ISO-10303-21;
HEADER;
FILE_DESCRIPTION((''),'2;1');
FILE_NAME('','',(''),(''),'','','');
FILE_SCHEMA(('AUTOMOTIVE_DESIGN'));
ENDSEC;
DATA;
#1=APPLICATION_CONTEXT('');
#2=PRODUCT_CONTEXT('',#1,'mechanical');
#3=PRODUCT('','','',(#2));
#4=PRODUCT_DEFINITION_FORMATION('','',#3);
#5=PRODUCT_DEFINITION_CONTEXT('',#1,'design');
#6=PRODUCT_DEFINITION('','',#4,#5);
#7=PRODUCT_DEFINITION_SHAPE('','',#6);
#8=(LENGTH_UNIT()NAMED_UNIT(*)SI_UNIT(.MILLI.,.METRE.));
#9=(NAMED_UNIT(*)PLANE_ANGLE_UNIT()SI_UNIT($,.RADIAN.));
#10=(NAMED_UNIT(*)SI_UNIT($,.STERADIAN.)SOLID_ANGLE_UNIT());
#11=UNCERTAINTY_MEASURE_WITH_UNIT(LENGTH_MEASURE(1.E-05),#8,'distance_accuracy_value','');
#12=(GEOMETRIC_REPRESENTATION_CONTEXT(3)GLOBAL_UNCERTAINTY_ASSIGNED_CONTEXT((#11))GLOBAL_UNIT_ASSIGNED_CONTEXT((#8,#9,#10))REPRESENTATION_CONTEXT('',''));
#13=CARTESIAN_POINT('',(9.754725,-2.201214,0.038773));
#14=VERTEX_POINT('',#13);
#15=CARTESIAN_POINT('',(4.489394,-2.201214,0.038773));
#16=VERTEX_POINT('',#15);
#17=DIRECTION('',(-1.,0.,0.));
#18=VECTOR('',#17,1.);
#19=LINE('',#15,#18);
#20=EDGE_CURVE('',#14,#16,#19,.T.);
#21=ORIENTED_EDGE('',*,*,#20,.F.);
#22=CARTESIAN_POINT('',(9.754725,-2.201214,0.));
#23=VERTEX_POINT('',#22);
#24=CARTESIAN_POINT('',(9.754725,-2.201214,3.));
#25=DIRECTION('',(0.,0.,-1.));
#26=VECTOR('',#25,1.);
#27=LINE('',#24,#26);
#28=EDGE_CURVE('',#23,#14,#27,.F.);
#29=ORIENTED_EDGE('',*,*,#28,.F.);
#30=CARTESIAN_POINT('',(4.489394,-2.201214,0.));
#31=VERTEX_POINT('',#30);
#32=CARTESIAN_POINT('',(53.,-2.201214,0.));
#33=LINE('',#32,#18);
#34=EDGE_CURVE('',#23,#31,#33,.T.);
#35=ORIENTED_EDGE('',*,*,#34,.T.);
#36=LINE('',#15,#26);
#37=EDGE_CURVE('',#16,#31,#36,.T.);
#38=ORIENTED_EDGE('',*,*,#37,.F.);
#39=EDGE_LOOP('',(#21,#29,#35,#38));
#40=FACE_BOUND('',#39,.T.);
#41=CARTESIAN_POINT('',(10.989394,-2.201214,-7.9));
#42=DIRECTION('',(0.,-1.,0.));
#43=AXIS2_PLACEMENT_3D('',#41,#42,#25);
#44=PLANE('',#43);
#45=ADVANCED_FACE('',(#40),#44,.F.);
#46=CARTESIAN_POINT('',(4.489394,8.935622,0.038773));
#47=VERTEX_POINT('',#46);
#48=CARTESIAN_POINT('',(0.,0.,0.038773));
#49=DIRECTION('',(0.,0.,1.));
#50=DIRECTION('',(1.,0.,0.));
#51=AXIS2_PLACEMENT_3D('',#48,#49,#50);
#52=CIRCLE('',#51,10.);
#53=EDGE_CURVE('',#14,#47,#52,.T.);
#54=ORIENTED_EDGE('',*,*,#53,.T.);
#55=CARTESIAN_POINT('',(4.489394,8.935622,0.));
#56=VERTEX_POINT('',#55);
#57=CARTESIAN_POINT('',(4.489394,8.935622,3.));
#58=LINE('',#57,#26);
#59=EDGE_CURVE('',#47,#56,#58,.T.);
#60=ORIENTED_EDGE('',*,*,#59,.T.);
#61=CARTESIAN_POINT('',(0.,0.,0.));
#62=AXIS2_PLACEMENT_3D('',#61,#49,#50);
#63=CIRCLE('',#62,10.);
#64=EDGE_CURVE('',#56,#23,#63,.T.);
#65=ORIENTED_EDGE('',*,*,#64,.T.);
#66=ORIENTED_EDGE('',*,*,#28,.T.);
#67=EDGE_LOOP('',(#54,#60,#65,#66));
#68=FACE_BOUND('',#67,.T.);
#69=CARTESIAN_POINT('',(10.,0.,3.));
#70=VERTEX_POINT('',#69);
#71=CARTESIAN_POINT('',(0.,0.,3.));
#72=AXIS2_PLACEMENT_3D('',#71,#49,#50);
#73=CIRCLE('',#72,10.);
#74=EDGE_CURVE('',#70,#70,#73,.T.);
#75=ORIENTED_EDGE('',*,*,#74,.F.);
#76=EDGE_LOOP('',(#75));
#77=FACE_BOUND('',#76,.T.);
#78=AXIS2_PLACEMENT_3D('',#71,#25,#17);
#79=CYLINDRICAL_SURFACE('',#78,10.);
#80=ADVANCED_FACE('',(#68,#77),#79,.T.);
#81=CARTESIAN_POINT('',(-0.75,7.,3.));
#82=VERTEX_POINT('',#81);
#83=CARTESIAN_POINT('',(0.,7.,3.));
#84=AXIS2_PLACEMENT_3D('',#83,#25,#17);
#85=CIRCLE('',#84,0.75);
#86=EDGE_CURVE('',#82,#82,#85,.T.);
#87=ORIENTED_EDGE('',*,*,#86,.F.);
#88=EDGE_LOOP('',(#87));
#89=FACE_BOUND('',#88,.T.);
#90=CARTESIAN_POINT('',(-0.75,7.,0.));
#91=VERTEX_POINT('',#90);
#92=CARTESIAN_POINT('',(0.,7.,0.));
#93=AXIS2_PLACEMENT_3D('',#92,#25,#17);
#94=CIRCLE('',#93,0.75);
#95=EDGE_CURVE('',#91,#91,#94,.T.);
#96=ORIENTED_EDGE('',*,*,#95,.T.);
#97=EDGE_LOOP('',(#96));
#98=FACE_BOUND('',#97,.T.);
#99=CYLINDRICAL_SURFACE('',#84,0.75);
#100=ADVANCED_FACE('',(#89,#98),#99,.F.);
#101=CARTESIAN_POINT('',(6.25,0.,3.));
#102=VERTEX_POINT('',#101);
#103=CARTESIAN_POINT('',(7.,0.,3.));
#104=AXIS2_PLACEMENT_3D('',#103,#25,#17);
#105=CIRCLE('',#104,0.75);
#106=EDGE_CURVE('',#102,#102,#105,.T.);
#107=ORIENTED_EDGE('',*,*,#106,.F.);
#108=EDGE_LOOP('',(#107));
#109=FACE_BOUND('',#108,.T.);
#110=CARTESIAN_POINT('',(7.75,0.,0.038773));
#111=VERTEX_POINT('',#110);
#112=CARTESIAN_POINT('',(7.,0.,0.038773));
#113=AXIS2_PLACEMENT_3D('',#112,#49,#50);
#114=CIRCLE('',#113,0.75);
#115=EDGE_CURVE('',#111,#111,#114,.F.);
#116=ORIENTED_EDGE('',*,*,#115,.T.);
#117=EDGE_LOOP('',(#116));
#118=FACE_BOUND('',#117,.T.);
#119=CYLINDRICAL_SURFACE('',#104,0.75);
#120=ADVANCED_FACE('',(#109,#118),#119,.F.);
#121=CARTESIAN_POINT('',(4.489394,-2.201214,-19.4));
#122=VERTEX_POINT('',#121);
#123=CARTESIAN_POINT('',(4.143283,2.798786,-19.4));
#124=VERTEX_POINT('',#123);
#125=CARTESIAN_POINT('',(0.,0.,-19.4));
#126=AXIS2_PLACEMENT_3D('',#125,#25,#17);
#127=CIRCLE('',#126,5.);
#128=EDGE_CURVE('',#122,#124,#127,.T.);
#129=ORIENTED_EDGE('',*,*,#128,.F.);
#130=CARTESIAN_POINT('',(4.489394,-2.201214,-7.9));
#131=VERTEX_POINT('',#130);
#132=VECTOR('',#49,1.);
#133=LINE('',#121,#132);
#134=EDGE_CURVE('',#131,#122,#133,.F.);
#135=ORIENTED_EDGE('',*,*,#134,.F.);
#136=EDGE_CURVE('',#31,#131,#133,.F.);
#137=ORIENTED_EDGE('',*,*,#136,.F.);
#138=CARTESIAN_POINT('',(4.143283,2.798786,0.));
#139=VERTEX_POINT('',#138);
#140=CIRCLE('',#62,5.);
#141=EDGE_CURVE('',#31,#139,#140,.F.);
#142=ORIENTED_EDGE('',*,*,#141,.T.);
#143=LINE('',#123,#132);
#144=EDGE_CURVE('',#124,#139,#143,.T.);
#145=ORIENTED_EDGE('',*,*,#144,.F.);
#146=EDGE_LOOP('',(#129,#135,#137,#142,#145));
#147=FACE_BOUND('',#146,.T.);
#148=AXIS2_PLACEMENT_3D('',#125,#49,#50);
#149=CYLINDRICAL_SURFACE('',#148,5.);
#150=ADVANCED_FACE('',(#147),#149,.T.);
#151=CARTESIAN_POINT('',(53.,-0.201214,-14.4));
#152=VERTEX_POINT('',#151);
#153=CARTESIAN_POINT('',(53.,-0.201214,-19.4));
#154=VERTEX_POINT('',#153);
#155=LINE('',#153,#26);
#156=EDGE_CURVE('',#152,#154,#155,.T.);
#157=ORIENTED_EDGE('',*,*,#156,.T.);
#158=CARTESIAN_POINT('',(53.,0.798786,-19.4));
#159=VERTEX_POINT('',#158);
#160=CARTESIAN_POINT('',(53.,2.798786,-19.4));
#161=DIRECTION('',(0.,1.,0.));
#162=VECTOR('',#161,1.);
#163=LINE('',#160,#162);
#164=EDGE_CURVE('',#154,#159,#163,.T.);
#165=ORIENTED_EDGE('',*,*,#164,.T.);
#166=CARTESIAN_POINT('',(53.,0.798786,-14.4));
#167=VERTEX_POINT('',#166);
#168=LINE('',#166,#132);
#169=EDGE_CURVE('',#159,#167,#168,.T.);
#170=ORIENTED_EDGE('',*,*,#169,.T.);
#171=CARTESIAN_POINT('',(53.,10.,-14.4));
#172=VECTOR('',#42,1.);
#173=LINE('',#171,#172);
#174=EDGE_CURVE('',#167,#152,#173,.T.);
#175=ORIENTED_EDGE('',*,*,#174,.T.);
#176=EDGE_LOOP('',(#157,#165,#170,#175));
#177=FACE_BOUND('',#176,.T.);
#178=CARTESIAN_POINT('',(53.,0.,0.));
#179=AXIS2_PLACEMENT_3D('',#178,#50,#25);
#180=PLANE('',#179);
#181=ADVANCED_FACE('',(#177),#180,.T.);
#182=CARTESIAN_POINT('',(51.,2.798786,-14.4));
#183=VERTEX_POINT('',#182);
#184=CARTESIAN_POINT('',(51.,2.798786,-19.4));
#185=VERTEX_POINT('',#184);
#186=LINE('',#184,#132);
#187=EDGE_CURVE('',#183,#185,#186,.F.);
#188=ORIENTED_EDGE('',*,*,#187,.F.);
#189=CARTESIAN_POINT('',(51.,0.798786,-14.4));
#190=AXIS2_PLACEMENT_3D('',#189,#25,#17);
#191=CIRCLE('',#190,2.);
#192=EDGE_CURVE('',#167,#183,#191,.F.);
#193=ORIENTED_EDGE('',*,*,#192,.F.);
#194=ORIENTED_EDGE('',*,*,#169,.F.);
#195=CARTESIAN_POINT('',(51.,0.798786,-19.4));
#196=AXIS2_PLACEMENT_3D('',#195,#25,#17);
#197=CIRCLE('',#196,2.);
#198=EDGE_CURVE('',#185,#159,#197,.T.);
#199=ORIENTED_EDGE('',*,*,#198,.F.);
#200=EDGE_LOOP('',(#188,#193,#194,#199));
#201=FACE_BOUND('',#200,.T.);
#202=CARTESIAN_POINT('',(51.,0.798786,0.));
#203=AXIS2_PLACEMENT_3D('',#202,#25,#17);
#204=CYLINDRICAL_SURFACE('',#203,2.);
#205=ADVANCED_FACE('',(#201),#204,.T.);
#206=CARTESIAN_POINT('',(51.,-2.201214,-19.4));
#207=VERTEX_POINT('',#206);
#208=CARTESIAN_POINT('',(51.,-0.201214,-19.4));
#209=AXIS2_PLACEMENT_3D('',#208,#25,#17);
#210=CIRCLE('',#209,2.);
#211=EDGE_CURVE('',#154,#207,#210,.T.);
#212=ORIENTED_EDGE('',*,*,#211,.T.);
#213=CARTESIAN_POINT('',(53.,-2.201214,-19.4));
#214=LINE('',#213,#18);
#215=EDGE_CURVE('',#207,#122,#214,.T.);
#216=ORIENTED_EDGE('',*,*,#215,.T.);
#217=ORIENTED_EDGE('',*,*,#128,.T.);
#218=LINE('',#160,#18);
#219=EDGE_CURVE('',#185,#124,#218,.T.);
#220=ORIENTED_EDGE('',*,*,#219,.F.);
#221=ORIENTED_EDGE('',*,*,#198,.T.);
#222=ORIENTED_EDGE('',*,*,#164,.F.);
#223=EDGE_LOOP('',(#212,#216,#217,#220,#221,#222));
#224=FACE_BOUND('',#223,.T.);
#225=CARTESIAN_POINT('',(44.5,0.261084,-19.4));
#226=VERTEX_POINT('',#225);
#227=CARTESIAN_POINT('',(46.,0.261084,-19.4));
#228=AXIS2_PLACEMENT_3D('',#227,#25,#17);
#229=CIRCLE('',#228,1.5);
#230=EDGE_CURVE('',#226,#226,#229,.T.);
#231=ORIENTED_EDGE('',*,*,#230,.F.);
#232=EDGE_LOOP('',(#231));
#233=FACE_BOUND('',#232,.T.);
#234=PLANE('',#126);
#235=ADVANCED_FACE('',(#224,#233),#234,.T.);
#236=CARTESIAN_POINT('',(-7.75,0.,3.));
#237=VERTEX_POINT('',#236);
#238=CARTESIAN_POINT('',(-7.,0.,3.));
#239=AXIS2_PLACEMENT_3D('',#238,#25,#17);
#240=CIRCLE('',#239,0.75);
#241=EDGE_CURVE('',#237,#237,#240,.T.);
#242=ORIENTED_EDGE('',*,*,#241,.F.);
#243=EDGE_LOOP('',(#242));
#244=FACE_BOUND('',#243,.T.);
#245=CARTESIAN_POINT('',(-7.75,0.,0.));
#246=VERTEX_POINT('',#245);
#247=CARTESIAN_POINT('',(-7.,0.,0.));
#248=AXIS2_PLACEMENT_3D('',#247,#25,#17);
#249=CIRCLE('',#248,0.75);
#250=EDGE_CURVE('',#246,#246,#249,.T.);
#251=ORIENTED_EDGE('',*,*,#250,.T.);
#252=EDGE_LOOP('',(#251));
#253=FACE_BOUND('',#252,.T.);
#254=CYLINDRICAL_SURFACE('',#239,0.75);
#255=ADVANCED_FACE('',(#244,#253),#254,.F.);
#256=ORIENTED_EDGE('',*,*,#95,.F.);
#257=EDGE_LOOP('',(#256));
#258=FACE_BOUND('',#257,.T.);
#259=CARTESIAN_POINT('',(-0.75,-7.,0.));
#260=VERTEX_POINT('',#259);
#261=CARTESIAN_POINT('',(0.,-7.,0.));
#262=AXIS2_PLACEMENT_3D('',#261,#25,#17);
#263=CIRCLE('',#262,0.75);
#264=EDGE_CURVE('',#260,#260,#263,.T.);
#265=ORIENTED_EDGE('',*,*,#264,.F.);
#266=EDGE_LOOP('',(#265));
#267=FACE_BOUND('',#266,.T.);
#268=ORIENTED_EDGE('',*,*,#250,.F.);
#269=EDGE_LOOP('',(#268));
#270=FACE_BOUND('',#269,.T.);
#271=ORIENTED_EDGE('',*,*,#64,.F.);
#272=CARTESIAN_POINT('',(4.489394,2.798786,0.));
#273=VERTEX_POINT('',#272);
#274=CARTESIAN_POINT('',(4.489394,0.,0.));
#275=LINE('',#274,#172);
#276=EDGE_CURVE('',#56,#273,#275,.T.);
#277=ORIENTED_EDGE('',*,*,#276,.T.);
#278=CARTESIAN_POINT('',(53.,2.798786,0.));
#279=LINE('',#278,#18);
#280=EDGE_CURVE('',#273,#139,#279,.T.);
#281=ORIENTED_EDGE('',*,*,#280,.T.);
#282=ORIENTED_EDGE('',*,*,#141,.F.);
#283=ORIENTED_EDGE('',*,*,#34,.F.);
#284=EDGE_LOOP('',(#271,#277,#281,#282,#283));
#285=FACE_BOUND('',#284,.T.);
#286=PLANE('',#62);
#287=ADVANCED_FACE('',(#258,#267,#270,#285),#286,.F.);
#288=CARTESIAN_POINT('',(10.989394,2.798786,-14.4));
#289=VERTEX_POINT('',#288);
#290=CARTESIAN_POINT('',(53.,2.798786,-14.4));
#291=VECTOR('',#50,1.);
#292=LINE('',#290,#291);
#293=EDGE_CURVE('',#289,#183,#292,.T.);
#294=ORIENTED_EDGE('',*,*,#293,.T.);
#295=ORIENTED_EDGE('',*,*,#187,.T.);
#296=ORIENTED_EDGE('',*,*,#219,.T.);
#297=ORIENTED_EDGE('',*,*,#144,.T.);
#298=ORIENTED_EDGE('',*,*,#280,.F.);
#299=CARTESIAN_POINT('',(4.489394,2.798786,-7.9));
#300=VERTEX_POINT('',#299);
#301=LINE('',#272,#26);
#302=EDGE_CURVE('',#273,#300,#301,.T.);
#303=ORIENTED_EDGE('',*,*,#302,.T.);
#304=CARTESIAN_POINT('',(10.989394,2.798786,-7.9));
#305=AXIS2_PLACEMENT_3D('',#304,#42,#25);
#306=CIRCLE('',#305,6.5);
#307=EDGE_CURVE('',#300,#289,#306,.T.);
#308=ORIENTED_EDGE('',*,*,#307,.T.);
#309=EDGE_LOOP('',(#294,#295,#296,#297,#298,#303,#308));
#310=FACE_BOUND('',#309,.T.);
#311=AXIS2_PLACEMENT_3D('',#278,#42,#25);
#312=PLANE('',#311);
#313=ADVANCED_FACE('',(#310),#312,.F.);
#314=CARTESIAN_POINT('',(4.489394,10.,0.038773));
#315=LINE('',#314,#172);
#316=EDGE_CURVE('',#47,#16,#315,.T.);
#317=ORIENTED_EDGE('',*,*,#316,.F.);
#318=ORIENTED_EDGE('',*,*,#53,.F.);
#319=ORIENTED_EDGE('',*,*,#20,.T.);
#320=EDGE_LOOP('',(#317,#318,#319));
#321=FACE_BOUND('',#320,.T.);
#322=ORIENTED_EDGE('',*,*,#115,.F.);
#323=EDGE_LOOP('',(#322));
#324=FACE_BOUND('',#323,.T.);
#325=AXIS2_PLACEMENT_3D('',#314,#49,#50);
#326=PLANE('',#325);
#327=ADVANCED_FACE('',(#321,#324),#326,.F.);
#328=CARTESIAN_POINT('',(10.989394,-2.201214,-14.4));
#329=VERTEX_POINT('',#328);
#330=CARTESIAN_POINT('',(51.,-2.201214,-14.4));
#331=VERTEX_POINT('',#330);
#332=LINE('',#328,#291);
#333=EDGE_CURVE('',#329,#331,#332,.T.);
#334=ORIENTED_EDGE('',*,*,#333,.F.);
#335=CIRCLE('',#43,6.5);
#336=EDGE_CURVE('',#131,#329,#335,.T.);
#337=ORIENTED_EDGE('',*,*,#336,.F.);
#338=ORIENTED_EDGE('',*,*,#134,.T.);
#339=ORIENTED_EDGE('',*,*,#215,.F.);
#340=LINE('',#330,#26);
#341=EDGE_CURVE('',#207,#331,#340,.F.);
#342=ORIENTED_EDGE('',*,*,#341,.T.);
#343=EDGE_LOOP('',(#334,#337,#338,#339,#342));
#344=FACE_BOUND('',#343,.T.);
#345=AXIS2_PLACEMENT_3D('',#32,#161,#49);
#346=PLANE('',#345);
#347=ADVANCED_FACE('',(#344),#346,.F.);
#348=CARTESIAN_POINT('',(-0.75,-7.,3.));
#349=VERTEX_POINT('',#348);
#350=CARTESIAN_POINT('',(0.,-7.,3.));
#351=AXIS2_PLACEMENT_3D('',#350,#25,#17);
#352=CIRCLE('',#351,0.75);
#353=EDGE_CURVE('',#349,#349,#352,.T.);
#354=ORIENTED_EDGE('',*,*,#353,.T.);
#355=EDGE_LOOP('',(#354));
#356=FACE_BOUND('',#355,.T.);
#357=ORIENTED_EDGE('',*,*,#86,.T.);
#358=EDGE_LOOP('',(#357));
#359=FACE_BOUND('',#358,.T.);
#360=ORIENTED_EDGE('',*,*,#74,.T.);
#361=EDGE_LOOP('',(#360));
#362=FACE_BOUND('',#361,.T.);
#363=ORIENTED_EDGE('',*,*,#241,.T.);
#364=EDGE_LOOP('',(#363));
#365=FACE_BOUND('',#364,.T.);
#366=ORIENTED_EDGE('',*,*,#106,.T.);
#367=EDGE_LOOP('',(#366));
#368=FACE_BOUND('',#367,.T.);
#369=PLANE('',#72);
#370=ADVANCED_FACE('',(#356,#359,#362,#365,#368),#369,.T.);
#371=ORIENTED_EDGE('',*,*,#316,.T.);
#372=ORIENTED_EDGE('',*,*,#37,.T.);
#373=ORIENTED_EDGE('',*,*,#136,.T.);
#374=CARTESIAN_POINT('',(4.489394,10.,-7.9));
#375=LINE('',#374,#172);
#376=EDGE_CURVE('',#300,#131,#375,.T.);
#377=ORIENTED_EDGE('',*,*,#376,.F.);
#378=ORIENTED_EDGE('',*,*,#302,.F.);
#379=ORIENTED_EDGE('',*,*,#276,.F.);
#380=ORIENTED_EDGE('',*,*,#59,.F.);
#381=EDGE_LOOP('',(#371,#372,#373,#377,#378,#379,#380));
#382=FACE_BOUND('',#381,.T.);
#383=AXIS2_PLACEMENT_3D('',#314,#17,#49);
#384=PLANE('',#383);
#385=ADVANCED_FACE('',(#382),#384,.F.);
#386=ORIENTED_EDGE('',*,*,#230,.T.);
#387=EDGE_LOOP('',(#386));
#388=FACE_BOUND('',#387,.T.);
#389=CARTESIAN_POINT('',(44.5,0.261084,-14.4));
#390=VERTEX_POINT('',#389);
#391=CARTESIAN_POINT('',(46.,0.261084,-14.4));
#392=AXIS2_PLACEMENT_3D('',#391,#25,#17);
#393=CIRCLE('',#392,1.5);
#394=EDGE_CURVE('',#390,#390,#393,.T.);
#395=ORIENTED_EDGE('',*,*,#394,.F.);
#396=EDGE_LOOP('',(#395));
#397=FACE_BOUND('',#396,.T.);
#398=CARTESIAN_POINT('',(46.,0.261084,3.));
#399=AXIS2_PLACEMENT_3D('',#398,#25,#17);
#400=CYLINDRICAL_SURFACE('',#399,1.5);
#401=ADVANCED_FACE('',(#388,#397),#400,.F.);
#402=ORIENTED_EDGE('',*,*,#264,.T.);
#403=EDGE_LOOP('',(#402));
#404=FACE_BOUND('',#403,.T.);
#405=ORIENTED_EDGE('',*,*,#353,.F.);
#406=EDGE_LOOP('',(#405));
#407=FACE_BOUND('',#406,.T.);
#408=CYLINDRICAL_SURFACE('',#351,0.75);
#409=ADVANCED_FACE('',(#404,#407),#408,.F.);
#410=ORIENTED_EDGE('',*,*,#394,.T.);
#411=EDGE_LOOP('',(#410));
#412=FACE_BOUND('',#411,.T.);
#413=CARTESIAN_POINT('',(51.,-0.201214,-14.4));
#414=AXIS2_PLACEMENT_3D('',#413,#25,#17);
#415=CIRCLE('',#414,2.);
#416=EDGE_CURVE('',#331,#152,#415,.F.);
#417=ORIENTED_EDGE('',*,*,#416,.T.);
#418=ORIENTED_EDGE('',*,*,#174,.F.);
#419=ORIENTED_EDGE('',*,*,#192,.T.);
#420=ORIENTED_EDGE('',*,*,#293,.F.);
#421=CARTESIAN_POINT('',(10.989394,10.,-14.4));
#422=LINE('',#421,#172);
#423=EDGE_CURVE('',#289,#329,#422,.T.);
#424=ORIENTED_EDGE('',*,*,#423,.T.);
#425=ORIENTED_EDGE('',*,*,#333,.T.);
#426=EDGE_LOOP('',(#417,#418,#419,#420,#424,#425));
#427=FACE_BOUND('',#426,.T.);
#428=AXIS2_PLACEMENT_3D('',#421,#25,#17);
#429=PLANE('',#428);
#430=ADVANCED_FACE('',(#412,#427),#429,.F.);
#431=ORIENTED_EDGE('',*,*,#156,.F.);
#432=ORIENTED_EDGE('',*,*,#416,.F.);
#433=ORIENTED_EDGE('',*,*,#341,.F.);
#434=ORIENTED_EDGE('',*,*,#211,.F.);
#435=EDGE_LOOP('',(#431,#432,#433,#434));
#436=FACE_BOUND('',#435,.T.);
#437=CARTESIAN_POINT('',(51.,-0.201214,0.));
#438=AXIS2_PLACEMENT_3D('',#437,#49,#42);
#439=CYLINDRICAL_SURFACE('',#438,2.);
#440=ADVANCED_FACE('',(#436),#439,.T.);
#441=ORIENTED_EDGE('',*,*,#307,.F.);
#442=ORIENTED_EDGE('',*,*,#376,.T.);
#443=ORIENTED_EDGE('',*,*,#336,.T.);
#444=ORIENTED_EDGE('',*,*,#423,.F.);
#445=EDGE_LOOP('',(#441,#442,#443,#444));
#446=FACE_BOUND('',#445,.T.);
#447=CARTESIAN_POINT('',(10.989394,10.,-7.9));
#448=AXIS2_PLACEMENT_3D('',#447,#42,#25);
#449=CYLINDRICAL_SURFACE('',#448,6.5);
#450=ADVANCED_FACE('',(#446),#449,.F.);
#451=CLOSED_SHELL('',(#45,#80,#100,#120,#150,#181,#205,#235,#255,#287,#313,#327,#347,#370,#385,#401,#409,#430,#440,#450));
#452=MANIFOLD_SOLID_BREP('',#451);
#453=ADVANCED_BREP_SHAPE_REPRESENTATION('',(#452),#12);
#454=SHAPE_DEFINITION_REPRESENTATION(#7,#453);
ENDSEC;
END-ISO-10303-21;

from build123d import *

# Parameters (mm, degrees)
SKETCH_1_R          = 10
EXTRUDE_1_DEPTH     = 3
SKETCH_2_R          = 0.75
CUT_EXTRUDE_1_DEPTH = 15.456832295
SKETCH_3_R          = 5
EXTRUDE_2_DEPTH     = 19.4
SKETCH_6_W          = 19.4
SKETCH_6_H          = 5
EXTRUDE_4_DEPTH     = 53
CUT_EXTRUDE_2_DEPTH = 58.742788457
SKETCH_8_R          = 1.5
CUT_EXTRUDE_3_DEPTH = 59.401712304
FILLET_1_R          = 2


with BuildPart() as part:
    # 草图1 → 凸台-拉伸1 (new body)
    with BuildSketch(Plane.XY):
        Circle(SKETCH_1_R)
    extrude(amount=EXTRUDE_1_DEPTH)

    # 草图2 → 切除-拉伸1 (cut, through all)
    with BuildSketch(Plane(origin=(0, 0, 0), x_dir=(-1, 0, 0), z_dir=(0, 0, -1))):
        with Locations((0, 7)):
            Circle(SKETCH_2_R)
        with Locations((7, 0)):
            Circle(SKETCH_2_R)
        with Locations((0, -7)):
            Circle(SKETCH_2_R)
        with Locations((-7, 0)):
            Circle(SKETCH_2_R)
    extrude(amount=-CUT_EXTRUDE_1_DEPTH, mode=Mode.SUBTRACT)

    # 草图3 → 凸台-拉伸2 (add)
    with BuildSketch(Plane(origin=(0, 0, 0), x_dir=(-1, 0, 0), z_dir=(0, 0, -1))):
        with Locations(Location((0, 0, 0), (0, 0, 180))):
            Circle(SKETCH_3_R)
    extrude(amount=EXTRUDE_2_DEPTH)

    # 草图6 → 凸台-拉伸4 (add)
    with BuildSketch(Plane(origin=(0, 0, 0), x_dir=(0, 0, -1), z_dir=(1, 0, 0))):
        with Locations((9.7, 0.298786174)):
            Rectangle(SKETCH_6_W, SKETCH_6_H)
    extrude(amount=EXTRUDE_4_DEPTH)

    # 草图7 → 切除-拉伸2 (cut, through all)
    with BuildSketch(Plane(origin=(0, -2.201213826, 0), x_dir=(-1, 0, 0), z_dir=(0, -1, 0))):
        with BuildLine():
            Line((-4.489393911, -0.038773437), (-53, -0.038773437))
            Line((-53, -0.038773437), (-53, 14.4))
            Line((-53, 14.4), (-10.989393911, 14.4))
            ThreePointArc((-10.989393911, 14.4), (-6.393199834, 12.496194078), (-4.489393911, 7.9))
            Line((-4.489393911, 7.9), (-4.489393911, -0.038773437))
        make_face()
    extrude(amount=-CUT_EXTRUDE_2_DEPTH, mode=Mode.SUBTRACT)

    # 草图8 → 切除-拉伸3 (cut, through all)
    with BuildSketch(Plane(origin=(0, 0, -19.4), x_dir=(-1, 0, 0), z_dir=(0, 0, -1))):
        with Locations((-46, 0.261084443)):
            Circle(SKETCH_8_R)
    extrude(amount=-CUT_EXTRUDE_3_DEPTH, mode=Mode.SUBTRACT)

    # 圆角1
    fillet_1_edges = [part.edges().sort_by_distance(p)[0] for p in [
        (53, 2.798786174, -16.9),
        (53, -2.201213826, -16.9),
    ]]
    fillet(fillet_1_edges, radius=FILLET_1_R)


solid = part.part
